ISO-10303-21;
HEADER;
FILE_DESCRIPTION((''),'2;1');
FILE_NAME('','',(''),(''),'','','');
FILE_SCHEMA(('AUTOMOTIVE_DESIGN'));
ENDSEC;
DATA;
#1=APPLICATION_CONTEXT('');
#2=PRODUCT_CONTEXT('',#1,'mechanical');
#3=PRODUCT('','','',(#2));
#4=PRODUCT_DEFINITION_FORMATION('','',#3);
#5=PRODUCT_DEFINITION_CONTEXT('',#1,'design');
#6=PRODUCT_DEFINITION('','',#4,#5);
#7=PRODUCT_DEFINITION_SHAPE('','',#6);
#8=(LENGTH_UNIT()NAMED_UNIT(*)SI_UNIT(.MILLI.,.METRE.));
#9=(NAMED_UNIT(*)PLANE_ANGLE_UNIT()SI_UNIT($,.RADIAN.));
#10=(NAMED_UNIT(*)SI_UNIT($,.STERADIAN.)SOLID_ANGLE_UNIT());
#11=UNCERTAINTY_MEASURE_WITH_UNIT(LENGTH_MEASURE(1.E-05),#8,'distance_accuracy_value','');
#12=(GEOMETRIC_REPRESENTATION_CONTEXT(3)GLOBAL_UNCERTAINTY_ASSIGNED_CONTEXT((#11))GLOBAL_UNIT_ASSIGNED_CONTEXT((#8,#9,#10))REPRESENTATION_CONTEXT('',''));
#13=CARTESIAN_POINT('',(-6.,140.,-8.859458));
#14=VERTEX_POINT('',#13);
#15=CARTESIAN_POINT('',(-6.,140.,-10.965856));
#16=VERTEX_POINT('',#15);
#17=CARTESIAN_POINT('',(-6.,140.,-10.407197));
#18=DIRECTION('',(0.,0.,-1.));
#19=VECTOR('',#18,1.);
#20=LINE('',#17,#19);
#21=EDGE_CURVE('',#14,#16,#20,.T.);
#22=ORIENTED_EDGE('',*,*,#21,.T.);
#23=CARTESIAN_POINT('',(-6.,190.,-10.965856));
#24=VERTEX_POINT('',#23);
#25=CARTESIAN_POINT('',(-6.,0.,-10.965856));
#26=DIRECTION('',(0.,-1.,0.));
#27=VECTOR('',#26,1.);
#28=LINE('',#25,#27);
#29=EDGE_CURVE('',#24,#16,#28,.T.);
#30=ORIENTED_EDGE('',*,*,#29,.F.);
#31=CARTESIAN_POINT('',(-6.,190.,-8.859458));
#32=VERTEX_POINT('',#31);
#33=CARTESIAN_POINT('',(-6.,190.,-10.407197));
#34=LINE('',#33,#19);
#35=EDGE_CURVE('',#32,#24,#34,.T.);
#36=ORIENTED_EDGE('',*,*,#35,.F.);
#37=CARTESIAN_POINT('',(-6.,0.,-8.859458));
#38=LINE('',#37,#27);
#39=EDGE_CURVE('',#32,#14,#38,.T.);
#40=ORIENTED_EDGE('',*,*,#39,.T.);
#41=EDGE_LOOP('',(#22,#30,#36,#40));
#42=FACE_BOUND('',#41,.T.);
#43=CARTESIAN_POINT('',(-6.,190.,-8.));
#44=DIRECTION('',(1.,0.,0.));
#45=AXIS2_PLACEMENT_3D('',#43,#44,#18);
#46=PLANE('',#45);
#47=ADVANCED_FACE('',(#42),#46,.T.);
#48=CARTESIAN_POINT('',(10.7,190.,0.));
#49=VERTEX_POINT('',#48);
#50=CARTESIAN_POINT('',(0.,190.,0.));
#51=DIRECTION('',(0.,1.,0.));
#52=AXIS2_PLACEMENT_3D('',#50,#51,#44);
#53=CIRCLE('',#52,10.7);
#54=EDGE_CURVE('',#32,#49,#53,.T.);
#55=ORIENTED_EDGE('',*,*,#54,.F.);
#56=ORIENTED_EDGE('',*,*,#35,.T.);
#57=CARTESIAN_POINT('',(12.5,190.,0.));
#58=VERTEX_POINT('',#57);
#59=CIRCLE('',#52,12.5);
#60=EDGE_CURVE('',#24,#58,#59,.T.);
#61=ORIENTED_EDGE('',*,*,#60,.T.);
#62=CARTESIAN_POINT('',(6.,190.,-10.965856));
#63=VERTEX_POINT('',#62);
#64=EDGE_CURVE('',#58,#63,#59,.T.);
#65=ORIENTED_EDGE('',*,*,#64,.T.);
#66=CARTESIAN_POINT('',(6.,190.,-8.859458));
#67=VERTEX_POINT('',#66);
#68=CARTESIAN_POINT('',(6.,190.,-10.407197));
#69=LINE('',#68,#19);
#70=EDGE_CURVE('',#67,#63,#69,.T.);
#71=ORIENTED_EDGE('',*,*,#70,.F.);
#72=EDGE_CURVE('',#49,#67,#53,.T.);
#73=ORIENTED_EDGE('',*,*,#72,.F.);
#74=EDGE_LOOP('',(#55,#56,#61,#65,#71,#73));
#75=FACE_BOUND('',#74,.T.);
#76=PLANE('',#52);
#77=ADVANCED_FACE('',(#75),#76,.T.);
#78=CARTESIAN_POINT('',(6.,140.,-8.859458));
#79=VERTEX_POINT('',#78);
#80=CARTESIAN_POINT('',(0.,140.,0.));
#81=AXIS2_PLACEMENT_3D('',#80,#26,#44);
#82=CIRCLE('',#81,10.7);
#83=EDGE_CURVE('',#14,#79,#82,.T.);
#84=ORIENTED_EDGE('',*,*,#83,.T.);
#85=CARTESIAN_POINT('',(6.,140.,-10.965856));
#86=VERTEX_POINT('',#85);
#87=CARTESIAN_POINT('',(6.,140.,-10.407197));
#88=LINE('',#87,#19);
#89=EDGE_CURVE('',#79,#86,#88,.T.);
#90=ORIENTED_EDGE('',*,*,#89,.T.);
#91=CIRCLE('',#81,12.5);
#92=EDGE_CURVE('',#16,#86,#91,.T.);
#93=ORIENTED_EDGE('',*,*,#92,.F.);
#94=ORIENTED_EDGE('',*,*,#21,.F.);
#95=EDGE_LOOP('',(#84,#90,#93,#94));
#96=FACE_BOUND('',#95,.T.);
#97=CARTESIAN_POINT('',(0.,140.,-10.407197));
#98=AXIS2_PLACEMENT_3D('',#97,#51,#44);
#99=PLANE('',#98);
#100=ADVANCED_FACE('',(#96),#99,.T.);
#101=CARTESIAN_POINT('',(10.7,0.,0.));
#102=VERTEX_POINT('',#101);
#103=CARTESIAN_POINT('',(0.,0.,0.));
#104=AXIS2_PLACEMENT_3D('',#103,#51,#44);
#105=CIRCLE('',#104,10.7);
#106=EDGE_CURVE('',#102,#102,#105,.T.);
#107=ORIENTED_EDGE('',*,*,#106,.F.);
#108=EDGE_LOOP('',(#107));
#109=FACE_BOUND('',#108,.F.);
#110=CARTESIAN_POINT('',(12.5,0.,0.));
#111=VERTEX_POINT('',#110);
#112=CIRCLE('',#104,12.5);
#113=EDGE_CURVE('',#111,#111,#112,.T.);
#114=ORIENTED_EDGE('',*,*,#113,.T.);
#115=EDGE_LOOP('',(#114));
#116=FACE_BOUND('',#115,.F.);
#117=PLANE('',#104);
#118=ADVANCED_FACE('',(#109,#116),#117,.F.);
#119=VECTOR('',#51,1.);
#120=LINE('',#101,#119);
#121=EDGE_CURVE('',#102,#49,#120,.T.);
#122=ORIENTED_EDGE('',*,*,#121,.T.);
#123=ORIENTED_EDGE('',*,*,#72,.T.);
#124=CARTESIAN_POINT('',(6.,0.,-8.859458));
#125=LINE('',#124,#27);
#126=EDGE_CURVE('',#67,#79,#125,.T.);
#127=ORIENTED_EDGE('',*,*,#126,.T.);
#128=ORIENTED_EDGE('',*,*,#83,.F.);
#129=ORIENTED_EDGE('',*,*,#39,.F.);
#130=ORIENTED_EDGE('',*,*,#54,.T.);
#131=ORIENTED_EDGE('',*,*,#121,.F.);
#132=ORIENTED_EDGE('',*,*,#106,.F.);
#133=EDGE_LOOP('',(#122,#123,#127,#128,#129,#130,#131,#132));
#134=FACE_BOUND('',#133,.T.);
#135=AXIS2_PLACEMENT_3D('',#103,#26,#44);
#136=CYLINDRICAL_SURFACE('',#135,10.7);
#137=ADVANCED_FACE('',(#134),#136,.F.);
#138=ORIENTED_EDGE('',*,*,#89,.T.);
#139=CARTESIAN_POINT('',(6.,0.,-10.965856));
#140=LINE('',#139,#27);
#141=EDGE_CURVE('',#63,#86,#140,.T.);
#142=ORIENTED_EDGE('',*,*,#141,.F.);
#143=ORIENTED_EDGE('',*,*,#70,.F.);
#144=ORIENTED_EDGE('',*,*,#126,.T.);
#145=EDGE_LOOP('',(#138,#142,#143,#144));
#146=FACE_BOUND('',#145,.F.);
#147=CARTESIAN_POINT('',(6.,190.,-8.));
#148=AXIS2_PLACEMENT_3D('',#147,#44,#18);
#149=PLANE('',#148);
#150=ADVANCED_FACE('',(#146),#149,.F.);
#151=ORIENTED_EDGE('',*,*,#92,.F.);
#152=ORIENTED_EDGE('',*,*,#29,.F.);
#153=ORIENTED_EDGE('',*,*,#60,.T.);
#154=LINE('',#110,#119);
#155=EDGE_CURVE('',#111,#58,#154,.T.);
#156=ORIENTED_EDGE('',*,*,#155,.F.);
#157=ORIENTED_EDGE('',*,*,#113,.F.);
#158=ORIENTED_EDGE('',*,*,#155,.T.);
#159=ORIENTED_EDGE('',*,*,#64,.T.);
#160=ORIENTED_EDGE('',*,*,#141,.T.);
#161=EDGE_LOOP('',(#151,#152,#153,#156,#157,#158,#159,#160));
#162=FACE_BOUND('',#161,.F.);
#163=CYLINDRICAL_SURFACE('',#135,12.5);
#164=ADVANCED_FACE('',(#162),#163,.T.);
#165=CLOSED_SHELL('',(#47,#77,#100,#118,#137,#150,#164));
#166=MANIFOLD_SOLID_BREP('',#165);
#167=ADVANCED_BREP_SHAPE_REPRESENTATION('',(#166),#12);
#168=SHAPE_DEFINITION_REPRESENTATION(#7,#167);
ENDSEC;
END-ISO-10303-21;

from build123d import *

# Parameters (mm, degrees)
SKETCH_1_R          = 12.5
SKETCH_1_R_2        = 10.7
EXTRUDE_1_DEPTH     = 190
SKETCH_3_W          = 12
SKETCH_3_H          = 4.814393821
CUT_EXTRUDE_1_DEPTH = 50


with BuildPart() as part:
    # Эскиз1 → Бобышка-Вытянуть1 (new body)
    with BuildSketch(Plane(origin=(0, 0, 0), x_dir=(1, 0, 0), z_dir=(0, 1, 0))):
        Circle(SKETCH_1_R)
        Circle(SKETCH_1_R_2, mode=Mode.SUBTRACT)
    extrude(amount=EXTRUDE_1_DEPTH)

    # Эскиз3 → Вырез-Вытянуть1 (cut)
    with BuildSketch(Plane(origin=(0, 190, 0), x_dir=(1, 0, 0), z_dir=(0, 1, 0))):
        with Locations((0, 10.407196911)):
            Rectangle(SKETCH_3_W, SKETCH_3_H)
    extrude(amount=-CUT_EXTRUDE_1_DEPTH, mode=Mode.SUBTRACT)


solid = part.part
